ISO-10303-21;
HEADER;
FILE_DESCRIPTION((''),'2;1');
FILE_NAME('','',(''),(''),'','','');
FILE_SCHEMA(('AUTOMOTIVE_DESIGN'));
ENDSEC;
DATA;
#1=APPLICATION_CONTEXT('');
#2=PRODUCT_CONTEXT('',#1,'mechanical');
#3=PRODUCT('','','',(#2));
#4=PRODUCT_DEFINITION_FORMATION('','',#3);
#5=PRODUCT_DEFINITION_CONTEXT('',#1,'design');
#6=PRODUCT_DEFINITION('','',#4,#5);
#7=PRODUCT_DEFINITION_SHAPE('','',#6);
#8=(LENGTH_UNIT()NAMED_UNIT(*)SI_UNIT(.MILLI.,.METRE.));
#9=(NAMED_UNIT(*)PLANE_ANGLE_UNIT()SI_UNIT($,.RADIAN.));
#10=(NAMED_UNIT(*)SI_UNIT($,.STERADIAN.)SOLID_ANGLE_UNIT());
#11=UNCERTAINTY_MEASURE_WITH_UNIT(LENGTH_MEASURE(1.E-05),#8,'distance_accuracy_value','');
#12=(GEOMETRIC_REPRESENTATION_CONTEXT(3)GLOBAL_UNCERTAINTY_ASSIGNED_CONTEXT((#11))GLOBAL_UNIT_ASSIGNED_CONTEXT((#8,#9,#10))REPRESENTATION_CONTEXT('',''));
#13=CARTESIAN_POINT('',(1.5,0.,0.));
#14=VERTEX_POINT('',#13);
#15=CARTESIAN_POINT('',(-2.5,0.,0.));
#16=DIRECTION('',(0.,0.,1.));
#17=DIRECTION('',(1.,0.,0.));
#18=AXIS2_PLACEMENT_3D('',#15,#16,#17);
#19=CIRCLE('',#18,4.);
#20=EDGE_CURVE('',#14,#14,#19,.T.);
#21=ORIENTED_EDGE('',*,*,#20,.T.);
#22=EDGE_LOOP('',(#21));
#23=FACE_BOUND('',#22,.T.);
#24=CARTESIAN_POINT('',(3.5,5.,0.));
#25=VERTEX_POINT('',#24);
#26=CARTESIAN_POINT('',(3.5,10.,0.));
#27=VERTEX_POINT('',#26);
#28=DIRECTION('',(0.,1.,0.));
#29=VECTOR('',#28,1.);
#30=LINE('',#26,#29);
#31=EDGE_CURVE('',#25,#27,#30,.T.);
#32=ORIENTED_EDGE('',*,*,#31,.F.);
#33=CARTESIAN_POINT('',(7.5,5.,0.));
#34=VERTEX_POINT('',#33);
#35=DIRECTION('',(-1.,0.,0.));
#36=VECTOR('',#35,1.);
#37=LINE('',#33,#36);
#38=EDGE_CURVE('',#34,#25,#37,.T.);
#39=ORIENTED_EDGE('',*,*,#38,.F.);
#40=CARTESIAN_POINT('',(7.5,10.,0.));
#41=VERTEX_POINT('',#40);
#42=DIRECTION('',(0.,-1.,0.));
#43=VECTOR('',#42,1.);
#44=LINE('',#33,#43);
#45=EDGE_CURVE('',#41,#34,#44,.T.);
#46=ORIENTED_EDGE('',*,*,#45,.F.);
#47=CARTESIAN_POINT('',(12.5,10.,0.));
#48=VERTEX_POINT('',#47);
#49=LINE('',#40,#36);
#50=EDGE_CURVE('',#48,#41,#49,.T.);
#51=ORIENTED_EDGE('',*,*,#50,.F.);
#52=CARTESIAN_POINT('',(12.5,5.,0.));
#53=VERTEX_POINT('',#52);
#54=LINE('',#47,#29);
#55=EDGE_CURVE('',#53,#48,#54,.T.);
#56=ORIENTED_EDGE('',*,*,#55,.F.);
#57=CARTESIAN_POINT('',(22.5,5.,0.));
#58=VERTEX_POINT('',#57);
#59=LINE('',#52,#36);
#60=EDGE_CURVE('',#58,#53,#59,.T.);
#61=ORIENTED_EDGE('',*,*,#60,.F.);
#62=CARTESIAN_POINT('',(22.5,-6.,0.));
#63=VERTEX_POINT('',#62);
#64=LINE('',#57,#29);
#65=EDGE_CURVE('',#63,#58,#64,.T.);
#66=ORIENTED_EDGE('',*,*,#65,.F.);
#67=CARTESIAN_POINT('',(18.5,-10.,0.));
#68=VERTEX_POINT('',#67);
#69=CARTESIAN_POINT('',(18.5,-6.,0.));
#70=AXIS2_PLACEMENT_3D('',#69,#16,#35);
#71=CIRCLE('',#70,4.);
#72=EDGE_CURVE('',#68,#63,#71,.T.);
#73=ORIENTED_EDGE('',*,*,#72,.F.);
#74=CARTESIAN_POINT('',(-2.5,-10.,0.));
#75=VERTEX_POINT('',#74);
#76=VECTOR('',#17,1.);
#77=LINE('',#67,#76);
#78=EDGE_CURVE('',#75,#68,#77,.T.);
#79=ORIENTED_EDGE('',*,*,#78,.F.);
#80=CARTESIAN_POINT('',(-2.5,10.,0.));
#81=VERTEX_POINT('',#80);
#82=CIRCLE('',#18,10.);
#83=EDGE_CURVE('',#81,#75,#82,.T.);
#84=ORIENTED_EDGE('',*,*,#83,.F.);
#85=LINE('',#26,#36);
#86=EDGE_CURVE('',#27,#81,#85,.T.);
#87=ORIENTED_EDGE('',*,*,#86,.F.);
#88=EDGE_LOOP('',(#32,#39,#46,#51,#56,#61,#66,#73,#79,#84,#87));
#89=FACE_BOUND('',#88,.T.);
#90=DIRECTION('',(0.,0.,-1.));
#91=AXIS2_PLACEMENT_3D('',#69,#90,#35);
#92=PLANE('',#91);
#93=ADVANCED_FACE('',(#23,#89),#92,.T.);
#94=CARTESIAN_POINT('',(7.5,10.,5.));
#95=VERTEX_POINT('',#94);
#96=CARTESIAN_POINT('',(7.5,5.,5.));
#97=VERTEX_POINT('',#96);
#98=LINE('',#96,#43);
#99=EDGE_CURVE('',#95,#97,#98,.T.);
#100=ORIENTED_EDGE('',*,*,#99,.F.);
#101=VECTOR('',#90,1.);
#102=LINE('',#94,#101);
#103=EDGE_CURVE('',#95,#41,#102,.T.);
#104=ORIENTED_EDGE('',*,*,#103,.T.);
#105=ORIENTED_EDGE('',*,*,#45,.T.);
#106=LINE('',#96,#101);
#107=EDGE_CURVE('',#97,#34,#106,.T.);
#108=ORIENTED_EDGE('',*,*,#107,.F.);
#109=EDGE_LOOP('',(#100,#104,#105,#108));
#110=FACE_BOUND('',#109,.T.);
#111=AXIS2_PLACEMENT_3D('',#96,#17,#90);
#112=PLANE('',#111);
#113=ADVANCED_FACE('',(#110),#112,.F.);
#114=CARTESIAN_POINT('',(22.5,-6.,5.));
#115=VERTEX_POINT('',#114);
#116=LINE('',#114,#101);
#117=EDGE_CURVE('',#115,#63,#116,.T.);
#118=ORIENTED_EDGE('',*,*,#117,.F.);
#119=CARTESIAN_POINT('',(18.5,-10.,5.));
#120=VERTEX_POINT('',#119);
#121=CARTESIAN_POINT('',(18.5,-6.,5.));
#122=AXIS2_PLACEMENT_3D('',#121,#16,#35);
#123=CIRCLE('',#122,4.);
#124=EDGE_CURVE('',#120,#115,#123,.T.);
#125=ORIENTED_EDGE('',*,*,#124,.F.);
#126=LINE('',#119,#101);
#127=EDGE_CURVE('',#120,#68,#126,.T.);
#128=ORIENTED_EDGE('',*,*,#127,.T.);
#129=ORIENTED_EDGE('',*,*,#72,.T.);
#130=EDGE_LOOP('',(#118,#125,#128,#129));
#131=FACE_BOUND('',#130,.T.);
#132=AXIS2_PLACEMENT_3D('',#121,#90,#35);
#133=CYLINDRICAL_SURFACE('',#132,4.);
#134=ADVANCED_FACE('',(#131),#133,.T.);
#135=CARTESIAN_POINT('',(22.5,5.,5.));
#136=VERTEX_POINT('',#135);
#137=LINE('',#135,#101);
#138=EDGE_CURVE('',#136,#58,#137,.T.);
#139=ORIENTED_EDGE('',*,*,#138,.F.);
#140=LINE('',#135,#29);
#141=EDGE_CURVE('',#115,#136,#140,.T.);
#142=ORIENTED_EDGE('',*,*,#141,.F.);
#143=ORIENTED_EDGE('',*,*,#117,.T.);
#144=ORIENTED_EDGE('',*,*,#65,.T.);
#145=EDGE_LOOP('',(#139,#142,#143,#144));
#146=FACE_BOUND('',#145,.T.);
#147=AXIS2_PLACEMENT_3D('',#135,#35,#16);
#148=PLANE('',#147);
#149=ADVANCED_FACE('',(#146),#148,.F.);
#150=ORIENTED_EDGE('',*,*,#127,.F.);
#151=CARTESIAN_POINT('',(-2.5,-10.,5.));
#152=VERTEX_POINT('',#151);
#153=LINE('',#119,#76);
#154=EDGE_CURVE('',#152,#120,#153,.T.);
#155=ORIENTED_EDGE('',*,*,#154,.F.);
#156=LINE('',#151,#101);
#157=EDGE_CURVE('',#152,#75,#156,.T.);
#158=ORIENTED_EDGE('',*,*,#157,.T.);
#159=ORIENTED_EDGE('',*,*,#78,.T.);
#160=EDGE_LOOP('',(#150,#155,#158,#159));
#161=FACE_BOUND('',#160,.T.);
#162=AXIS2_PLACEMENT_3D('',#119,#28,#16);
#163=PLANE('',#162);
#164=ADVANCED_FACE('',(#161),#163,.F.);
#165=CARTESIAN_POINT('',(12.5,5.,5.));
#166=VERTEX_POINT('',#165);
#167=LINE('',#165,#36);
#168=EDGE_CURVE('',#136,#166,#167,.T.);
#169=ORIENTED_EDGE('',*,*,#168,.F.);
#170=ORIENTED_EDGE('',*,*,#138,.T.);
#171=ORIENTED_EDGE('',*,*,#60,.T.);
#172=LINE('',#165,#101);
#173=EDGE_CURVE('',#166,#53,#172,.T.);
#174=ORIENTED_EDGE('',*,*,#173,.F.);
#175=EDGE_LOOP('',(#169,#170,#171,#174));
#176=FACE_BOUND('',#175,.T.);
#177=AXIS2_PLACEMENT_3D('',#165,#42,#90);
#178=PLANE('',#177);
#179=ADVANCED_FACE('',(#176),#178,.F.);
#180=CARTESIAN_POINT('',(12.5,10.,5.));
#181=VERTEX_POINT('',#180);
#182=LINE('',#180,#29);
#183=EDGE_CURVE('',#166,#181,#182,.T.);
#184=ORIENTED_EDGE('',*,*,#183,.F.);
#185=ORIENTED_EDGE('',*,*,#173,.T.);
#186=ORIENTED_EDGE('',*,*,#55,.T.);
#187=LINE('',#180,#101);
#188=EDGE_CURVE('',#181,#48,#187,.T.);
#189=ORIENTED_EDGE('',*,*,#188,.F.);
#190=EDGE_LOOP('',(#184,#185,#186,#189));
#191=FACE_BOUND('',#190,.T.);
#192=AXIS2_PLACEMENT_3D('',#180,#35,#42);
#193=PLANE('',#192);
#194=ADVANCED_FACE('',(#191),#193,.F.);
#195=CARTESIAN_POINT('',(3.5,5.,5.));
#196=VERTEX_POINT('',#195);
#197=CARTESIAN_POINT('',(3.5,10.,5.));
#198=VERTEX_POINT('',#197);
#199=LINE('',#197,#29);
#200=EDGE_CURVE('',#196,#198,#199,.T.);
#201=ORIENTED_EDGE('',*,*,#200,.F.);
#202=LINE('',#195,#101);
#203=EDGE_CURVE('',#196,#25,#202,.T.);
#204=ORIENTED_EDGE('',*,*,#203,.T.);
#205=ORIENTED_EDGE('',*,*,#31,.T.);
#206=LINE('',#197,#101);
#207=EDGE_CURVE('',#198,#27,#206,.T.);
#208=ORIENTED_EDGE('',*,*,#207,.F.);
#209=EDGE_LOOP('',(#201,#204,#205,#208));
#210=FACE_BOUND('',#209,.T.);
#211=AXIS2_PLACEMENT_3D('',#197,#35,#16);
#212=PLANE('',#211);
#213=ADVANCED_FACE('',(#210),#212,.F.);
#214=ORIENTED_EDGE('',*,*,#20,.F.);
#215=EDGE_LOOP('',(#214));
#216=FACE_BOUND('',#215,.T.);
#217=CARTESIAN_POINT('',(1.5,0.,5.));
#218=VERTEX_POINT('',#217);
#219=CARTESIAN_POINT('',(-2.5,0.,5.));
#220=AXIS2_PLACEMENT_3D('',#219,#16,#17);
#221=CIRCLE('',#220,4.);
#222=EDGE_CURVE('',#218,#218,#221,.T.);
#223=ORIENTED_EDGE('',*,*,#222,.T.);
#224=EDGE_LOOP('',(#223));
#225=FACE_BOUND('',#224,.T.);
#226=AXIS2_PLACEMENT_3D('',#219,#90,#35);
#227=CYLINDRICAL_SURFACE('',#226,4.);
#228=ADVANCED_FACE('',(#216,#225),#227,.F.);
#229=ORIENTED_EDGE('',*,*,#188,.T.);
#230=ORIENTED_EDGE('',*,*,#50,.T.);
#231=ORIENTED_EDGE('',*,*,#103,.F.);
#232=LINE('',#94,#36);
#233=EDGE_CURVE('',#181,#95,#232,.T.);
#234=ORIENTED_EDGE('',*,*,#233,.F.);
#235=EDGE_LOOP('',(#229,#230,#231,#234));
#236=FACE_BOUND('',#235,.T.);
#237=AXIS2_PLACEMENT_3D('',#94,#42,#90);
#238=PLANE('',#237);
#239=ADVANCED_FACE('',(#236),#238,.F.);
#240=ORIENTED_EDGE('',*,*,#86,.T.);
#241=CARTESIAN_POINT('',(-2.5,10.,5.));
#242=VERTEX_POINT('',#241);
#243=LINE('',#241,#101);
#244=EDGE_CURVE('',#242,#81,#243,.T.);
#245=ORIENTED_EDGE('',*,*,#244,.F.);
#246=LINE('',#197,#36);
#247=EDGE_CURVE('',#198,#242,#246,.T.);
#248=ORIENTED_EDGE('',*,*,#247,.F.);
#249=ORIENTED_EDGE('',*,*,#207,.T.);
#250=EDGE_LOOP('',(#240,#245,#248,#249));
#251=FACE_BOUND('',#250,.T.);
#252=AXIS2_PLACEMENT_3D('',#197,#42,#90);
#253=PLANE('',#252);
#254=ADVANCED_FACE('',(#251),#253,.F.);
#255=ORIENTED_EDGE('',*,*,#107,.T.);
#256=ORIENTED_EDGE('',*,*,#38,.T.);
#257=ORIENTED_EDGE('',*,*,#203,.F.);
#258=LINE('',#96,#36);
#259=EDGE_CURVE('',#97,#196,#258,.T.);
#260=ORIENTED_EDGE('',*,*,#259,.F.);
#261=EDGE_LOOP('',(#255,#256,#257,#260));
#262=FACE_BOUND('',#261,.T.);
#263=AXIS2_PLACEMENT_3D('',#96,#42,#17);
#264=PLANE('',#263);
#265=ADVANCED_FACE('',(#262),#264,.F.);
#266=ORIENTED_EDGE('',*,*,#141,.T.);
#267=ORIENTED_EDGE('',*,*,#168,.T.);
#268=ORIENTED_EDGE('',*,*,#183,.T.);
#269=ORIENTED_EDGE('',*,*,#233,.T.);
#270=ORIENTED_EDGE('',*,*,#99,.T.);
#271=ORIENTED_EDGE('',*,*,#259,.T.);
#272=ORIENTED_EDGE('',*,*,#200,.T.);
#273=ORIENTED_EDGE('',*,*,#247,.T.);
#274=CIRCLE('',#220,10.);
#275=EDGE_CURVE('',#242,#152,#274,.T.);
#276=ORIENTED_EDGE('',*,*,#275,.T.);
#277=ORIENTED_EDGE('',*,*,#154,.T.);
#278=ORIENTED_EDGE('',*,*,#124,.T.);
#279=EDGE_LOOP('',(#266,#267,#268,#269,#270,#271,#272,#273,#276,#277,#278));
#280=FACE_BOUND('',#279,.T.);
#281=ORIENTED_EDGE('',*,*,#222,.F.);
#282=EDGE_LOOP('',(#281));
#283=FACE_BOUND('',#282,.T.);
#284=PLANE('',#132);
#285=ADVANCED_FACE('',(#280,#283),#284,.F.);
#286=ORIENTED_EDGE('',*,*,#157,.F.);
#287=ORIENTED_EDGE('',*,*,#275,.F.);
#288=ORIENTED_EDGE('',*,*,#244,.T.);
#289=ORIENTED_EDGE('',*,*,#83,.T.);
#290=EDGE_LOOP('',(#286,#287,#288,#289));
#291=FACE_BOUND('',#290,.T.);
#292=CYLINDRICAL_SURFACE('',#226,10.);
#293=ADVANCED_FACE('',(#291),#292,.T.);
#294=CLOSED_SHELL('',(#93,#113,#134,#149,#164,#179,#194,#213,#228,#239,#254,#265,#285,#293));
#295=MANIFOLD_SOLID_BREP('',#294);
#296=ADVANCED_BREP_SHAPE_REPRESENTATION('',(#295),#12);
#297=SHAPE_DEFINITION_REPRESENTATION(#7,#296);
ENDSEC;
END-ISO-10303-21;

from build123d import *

# Parameters (mm, degrees)
SKETCH1_R           = 4
BOSS_EXTRUDE4_DEPTH = 5


with BuildPart() as part:
    # Sketch1 → Boss-Extrude4 (new body)
    with BuildSketch(Plane.XY):
        with BuildLine():
            Line((22.5, 5), (22.5, -6))
            ThreePointArc((22.5, -6), (21.328427125, -8.828427125), (18.5, -10))
            Line((18.5, -10), (-2.5, -10))
            ThreePointArc((-2.5, -10), (-12.5, 0), (-2.5, 10))
            Line((-2.5, 10), (3.5, 10))
            Line((3.5, 10), (3.5, 5))
            Line((3.5, 5), (7.5, 5))
            Line((7.5, 5), (7.5, 10))
            Line((7.5, 10), (12.5, 10))
            Line((12.5, 10), (12.5, 5))
            Line((12.5, 5), (22.5, 5))
        make_face()
        with Locations((-2.5, 0)):
            Circle(SKETCH1_R, mode=Mode.SUBTRACT)
    extrude(amount=BOSS_EXTRUDE4_DEPTH)


solid = part.part
